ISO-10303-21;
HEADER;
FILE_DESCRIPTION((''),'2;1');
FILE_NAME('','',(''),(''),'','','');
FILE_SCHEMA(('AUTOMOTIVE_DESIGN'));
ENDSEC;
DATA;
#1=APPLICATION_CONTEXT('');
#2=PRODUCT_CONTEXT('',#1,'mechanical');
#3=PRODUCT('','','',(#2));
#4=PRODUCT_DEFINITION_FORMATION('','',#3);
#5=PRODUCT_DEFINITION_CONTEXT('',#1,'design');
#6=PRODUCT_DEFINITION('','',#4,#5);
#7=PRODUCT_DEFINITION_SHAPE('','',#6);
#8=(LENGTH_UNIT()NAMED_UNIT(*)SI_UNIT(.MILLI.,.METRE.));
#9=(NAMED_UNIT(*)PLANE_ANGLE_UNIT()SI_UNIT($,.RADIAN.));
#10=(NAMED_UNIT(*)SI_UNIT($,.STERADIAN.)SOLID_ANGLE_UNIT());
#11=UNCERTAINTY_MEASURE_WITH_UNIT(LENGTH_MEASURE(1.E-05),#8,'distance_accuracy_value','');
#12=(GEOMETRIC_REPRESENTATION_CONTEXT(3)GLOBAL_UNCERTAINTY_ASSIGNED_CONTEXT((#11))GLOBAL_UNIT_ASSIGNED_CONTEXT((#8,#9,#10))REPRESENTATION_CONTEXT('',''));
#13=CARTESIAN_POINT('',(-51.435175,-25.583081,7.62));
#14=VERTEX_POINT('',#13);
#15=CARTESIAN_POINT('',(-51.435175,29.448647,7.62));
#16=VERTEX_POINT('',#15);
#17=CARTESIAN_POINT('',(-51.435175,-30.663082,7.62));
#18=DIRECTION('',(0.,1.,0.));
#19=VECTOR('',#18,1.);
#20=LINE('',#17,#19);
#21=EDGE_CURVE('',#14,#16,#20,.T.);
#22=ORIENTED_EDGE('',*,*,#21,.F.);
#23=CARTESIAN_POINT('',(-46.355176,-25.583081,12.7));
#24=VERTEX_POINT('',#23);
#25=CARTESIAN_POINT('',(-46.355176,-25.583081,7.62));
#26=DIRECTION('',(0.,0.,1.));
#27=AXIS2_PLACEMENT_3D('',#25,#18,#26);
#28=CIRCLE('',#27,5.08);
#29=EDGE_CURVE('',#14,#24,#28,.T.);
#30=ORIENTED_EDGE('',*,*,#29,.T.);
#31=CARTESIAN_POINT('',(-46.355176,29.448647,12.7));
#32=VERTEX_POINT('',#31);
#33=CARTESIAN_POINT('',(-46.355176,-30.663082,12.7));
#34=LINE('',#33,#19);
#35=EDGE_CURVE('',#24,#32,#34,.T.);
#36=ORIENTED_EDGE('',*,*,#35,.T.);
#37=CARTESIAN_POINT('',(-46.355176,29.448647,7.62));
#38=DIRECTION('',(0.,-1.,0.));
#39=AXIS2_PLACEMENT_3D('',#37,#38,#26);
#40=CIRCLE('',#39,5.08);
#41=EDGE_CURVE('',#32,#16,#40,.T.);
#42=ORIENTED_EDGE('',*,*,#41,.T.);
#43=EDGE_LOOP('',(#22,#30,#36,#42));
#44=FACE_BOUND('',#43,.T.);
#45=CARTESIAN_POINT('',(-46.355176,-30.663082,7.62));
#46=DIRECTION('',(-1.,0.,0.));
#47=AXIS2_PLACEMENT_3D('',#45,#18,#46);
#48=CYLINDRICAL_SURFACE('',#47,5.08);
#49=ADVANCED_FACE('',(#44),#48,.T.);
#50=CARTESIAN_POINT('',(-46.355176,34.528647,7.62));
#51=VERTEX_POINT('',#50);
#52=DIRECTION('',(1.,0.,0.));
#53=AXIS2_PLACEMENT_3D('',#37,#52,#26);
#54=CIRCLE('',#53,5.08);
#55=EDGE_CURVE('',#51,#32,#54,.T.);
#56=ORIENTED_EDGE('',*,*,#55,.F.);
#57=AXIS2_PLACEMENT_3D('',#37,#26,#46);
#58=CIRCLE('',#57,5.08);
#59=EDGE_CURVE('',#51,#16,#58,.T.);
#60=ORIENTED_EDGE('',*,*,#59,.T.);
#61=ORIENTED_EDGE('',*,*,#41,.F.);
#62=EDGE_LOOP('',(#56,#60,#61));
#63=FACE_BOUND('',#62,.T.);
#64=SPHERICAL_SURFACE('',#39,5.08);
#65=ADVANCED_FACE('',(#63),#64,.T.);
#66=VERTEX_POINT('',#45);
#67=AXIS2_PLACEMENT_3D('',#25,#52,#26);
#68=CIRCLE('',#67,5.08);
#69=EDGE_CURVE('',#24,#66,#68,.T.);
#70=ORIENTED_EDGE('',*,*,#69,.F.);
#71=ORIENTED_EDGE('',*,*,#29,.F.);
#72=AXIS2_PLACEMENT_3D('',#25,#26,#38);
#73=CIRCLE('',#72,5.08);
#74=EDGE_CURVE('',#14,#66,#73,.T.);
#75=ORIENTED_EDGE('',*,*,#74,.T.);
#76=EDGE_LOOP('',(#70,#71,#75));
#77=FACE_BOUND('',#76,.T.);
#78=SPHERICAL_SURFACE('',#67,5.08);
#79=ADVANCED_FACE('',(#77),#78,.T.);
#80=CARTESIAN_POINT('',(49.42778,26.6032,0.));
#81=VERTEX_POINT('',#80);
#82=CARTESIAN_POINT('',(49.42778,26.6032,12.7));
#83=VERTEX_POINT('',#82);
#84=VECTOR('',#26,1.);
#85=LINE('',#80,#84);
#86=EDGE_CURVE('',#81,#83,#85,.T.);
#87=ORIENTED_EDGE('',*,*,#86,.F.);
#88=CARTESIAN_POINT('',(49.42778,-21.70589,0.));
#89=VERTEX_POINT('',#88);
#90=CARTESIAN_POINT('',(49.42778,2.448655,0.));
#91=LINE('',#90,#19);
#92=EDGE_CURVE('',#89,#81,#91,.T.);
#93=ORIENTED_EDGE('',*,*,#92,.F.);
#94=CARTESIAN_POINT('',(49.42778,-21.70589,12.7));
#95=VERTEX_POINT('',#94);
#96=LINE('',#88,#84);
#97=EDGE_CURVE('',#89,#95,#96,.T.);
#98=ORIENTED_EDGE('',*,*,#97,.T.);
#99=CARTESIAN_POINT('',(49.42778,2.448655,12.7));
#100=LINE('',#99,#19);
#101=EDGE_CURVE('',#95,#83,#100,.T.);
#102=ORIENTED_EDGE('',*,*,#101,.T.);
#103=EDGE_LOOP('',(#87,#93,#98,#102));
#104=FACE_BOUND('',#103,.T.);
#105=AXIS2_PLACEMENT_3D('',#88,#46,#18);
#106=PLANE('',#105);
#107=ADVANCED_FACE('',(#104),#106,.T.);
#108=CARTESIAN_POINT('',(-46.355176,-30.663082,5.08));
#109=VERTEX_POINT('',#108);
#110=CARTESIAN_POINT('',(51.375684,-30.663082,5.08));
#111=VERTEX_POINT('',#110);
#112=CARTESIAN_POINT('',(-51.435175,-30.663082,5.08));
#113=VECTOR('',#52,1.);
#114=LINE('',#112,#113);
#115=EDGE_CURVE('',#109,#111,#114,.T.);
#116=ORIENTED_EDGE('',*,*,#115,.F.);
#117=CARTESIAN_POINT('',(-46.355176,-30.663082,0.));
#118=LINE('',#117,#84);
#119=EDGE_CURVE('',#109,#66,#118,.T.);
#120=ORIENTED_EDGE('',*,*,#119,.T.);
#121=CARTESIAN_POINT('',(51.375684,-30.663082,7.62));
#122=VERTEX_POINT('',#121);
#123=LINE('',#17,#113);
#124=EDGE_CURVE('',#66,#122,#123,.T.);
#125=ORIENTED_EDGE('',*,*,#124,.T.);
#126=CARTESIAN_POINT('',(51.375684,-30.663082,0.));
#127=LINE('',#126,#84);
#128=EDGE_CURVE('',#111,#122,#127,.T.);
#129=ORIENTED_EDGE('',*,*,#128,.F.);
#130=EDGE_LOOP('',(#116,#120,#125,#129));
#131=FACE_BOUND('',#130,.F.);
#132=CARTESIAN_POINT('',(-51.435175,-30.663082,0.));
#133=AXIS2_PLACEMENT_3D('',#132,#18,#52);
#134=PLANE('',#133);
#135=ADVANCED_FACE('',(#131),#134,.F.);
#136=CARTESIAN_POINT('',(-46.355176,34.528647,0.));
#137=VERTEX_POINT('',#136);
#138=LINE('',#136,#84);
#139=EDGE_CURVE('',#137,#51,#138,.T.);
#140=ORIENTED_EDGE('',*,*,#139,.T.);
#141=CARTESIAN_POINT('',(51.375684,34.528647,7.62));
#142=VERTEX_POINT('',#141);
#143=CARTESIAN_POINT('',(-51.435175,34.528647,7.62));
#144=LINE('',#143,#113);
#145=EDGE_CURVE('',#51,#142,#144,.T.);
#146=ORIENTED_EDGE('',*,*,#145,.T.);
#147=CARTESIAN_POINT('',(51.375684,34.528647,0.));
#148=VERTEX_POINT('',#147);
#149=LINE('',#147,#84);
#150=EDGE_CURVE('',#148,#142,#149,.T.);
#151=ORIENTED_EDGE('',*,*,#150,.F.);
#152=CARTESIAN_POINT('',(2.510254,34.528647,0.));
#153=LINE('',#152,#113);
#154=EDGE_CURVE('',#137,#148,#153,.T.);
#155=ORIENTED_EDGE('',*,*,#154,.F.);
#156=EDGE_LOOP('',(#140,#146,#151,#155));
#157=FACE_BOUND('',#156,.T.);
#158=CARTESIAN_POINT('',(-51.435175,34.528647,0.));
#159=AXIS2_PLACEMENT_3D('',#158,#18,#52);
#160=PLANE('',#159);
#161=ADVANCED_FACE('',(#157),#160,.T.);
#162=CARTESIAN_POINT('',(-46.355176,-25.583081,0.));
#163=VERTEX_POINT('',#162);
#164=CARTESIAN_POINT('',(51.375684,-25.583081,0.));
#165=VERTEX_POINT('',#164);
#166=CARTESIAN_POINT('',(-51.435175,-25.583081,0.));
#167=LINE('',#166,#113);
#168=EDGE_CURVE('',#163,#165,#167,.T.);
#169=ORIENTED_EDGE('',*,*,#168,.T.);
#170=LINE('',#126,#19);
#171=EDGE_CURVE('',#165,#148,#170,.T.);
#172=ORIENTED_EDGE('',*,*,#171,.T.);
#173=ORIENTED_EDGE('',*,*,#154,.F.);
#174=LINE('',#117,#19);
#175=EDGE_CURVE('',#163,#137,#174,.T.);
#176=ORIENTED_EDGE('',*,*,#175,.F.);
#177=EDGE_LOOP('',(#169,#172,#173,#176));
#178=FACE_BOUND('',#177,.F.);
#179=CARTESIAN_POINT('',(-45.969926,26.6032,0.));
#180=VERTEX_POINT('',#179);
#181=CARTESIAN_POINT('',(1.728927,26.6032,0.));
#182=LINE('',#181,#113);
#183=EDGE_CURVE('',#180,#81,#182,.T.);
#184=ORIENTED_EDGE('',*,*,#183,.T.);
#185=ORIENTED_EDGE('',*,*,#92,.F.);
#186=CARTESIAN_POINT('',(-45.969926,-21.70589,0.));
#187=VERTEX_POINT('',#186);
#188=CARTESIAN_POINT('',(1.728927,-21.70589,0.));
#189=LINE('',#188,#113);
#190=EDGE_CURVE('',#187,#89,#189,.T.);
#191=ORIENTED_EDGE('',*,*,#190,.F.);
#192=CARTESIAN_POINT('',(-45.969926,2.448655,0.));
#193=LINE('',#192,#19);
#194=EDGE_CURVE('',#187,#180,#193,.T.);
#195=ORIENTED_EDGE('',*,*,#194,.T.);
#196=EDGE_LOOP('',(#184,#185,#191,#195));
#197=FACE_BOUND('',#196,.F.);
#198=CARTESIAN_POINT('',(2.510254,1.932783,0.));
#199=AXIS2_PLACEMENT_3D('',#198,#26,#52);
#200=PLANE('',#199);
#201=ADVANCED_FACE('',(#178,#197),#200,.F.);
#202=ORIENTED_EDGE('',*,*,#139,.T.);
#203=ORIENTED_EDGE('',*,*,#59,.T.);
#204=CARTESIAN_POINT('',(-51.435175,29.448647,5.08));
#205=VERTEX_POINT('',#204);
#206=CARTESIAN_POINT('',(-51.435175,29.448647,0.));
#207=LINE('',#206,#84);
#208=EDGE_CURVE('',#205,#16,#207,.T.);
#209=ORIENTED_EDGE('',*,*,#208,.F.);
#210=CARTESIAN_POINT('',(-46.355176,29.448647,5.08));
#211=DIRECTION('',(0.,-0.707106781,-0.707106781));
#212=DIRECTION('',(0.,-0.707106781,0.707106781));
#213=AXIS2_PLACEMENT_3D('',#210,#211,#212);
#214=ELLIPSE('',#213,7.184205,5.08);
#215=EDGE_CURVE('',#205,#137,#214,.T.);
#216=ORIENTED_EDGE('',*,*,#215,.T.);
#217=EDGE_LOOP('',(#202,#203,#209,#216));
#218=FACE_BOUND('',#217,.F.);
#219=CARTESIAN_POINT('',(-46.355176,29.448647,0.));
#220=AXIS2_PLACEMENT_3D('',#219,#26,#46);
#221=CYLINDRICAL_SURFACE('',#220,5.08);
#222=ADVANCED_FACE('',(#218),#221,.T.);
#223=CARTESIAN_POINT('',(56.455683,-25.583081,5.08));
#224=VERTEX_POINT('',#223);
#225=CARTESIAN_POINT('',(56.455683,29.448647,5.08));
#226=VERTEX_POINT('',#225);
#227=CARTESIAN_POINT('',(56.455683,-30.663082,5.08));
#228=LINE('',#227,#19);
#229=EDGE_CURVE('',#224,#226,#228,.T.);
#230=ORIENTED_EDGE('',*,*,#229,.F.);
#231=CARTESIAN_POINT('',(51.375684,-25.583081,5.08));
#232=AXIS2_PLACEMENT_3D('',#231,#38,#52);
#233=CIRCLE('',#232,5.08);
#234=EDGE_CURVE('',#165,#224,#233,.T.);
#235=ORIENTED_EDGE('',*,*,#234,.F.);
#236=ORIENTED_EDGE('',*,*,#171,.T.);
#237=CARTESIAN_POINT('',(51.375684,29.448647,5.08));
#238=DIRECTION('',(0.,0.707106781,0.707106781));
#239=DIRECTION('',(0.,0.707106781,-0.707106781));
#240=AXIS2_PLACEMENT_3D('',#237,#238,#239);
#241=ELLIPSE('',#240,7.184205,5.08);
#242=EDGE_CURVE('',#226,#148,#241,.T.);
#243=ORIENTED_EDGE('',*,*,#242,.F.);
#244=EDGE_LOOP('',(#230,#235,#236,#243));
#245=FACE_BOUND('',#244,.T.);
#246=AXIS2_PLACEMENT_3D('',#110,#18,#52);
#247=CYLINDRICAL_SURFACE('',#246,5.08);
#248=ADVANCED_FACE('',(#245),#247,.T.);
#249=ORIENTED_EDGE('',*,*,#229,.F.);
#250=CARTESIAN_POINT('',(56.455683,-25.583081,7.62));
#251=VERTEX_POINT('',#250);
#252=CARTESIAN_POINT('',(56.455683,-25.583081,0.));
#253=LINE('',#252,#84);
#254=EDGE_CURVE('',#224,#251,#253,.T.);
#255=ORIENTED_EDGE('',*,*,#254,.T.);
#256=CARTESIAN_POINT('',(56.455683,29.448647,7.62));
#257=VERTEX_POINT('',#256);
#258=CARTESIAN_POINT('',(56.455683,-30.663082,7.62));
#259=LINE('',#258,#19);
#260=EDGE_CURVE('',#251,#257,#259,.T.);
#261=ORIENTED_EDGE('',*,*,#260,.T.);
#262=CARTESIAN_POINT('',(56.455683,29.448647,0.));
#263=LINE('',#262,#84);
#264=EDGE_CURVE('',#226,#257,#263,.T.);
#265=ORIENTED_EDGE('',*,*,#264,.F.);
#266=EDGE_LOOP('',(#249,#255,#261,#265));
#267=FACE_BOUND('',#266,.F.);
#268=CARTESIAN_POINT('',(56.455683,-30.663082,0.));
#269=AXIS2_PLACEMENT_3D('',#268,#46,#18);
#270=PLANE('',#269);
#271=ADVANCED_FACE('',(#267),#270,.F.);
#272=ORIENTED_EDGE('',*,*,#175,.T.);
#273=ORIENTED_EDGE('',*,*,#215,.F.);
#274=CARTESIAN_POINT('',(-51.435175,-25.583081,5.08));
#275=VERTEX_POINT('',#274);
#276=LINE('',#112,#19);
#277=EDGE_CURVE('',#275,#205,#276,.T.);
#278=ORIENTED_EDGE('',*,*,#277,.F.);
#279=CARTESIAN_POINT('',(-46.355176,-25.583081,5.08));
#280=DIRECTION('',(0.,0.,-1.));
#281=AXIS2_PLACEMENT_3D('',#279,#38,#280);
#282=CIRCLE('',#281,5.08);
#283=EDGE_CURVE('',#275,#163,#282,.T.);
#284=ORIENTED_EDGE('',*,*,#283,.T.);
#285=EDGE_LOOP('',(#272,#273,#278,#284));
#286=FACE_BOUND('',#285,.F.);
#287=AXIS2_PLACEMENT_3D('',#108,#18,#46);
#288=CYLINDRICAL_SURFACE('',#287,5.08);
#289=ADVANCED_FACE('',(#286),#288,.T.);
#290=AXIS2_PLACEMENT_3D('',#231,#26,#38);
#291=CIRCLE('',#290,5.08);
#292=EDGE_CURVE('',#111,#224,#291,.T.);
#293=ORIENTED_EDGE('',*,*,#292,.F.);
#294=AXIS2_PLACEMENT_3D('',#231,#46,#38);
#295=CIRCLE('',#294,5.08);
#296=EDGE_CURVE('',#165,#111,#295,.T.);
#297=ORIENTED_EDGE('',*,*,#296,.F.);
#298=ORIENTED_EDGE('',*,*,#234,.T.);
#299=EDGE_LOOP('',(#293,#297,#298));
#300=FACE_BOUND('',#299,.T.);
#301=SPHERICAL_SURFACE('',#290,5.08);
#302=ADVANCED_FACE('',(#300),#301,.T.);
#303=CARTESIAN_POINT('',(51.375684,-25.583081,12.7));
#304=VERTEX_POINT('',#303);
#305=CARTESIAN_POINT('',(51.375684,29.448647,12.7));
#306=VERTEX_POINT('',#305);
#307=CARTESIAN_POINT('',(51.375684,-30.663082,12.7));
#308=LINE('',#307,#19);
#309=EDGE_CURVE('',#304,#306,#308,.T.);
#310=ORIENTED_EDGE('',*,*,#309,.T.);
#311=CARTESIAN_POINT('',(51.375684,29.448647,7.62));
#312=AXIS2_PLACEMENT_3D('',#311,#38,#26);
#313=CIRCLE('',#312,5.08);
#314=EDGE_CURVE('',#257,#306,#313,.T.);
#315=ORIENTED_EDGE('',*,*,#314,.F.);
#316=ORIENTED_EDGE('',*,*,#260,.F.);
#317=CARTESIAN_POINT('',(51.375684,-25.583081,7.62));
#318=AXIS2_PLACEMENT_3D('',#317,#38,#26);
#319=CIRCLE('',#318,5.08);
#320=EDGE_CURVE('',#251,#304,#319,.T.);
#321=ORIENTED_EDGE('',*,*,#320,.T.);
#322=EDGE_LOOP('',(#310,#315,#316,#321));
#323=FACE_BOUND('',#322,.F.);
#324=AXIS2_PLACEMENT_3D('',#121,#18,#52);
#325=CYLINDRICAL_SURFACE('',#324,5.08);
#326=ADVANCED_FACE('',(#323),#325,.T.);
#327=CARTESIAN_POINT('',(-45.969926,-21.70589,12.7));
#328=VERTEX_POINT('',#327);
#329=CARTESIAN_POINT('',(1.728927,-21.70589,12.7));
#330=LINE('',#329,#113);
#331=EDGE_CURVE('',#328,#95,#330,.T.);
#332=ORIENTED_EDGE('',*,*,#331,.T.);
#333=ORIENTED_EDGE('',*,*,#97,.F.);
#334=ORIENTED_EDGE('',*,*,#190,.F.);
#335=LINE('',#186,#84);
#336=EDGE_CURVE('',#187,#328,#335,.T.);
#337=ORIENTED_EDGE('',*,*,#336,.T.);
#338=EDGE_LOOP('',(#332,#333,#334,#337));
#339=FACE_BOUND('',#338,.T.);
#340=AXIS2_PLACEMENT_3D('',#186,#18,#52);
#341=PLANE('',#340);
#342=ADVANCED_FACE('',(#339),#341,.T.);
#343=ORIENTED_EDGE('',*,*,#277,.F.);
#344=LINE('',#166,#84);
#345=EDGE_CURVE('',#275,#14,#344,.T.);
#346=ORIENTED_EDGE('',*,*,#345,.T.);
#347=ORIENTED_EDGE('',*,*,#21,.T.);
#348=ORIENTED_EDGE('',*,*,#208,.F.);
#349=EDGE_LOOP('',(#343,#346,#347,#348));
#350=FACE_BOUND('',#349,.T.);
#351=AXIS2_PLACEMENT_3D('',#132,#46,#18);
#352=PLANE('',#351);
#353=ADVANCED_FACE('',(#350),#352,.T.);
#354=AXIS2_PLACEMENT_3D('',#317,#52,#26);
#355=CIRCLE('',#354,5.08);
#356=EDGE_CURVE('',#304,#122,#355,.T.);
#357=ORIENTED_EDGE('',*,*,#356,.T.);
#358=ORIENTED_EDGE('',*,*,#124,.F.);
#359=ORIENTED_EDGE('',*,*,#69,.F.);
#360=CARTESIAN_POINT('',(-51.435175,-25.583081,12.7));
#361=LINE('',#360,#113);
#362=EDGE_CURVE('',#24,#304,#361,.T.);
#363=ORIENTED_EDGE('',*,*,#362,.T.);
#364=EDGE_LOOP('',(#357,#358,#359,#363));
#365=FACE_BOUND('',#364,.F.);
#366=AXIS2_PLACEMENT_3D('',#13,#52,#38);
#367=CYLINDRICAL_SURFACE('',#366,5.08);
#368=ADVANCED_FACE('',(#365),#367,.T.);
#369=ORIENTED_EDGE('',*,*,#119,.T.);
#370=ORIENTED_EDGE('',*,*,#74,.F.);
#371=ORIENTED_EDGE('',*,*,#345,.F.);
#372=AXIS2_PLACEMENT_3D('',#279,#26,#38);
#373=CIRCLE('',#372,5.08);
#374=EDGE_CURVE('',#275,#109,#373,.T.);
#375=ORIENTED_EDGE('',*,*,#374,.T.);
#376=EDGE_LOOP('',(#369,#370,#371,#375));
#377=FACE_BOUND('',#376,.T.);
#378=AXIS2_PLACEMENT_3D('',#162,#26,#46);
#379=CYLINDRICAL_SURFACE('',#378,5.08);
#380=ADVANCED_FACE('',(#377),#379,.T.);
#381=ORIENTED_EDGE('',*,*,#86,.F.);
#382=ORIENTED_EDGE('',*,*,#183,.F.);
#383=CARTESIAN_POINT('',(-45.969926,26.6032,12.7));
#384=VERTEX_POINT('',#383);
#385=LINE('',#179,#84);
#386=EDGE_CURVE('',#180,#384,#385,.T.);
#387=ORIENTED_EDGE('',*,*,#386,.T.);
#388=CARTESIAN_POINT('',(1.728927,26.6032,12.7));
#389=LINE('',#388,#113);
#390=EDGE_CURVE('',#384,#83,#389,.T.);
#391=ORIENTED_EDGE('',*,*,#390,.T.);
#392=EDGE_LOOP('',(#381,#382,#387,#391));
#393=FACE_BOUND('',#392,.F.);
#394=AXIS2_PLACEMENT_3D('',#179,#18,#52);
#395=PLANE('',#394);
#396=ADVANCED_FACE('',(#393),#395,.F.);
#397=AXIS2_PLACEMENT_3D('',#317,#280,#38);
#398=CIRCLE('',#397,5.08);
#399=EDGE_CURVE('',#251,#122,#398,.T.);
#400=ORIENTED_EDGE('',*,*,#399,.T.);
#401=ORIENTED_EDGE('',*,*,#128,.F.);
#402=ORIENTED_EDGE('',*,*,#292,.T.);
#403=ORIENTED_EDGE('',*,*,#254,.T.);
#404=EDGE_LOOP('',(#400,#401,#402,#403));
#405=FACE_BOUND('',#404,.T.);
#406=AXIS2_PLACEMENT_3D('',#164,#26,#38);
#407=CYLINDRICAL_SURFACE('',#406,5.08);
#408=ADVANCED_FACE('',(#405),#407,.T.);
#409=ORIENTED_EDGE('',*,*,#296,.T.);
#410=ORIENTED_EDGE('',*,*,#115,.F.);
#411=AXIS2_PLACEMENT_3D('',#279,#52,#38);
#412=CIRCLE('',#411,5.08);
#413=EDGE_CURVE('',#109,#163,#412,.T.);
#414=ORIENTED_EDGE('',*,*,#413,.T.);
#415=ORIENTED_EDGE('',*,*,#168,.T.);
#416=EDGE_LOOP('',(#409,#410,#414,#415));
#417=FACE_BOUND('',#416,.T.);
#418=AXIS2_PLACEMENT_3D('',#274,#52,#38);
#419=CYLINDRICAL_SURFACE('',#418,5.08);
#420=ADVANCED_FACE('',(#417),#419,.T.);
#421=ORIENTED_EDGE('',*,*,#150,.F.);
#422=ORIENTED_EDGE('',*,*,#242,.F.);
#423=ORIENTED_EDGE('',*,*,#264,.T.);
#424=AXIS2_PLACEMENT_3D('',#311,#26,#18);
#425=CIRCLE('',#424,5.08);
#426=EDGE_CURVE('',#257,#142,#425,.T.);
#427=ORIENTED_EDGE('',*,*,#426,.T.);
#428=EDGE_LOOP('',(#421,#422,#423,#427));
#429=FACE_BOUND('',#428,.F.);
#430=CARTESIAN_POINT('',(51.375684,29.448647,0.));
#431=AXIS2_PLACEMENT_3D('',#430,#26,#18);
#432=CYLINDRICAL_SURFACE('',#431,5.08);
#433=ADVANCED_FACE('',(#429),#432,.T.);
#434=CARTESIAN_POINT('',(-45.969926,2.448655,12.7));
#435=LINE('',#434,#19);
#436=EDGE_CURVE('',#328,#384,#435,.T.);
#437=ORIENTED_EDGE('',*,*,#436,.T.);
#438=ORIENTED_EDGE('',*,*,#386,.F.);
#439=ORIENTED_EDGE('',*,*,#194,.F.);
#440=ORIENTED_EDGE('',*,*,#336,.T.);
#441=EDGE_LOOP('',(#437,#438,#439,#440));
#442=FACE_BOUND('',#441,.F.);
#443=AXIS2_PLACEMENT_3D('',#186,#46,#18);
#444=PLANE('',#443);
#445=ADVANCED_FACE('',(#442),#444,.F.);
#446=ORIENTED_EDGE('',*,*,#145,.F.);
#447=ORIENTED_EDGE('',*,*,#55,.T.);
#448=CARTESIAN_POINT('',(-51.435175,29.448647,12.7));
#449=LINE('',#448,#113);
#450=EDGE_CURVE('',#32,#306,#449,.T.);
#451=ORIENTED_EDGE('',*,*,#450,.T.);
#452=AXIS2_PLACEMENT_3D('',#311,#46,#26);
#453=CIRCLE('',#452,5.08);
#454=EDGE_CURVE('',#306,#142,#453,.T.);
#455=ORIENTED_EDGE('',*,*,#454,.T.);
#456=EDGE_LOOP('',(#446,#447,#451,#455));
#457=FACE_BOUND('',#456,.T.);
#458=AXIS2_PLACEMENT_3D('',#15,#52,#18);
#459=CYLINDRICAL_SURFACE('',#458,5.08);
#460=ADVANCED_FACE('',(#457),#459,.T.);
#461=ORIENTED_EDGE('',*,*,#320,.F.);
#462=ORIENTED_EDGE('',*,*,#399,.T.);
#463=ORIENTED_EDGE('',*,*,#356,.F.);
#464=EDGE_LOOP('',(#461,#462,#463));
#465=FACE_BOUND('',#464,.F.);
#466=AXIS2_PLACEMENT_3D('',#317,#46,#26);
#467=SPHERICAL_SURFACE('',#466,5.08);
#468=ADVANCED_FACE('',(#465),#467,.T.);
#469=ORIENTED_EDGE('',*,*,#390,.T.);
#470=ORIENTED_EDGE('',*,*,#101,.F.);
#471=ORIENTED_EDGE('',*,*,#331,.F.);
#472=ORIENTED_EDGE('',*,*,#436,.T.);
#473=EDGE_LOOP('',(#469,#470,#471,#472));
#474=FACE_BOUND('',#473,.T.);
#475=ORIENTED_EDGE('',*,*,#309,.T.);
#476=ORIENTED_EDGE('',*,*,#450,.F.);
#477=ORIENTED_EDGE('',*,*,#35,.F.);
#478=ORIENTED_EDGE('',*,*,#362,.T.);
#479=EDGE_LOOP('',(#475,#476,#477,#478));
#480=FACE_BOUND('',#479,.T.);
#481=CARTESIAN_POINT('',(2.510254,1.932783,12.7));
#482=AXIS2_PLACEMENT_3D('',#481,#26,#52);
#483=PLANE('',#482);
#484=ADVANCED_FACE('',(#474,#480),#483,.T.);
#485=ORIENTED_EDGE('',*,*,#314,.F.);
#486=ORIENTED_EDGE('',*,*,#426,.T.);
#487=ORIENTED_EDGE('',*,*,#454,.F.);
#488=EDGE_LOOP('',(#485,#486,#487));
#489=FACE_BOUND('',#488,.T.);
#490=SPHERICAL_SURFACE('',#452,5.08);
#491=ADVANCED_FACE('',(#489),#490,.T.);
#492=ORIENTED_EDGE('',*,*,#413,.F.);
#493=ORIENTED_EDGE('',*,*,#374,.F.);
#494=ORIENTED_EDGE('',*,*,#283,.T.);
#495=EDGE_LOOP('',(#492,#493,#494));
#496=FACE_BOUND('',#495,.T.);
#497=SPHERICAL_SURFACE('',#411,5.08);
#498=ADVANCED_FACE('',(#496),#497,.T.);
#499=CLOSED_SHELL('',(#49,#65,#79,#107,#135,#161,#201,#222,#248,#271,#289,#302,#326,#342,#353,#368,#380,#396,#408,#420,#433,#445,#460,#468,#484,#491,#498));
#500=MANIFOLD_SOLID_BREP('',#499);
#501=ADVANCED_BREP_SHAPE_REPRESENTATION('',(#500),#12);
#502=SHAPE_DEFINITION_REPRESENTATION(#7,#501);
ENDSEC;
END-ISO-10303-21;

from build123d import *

# Parameters (mm, degrees)
F0_W     = 107.890859
F0_H     = 65.191729
F0_W_2   = 95.397707
F0_H_2   = 48.309091
F1_DEPTH = 12.7
F2_R     = 5.08


with BuildPart() as f1:
    # F0 (on Top) → F1 (new body)
    with BuildSketch(Plane.XY):
        with Locations((2.510254, 1.932783)):
            Rectangle(F0_W, F0_H)
        with Locations((1.728927, 2.448655)):
            Rectangle(F0_W_2, F0_H_2, mode=Mode.SUBTRACT)
    extrude(amount=F1_DEPTH)

    # F2
    f2_edges = [f1.edges().sort_by_distance(p)[0] for p in [
        (2.510253, -30.663082, 12.7),
        (-51.435176, 1.932782, 12.7),
        (2.510253, 34.528647, 12.7),
        (56.455683, 1.932782, 12.7),
        (56.455683, -30.663082, 6.35),
        (2.510253, -30.663082, 0),
        (56.455683, 1.932782, 0),
        (-51.435176, 34.528647, 6.35),
        (-51.435176, -30.663082, 6.35),
        (-51.435176, 1.932782, 0),
        (56.455683, 34.528647, 6.35),
    ]]
    fillet(f2_edges, radius=F2_R)


solid = f1.part
